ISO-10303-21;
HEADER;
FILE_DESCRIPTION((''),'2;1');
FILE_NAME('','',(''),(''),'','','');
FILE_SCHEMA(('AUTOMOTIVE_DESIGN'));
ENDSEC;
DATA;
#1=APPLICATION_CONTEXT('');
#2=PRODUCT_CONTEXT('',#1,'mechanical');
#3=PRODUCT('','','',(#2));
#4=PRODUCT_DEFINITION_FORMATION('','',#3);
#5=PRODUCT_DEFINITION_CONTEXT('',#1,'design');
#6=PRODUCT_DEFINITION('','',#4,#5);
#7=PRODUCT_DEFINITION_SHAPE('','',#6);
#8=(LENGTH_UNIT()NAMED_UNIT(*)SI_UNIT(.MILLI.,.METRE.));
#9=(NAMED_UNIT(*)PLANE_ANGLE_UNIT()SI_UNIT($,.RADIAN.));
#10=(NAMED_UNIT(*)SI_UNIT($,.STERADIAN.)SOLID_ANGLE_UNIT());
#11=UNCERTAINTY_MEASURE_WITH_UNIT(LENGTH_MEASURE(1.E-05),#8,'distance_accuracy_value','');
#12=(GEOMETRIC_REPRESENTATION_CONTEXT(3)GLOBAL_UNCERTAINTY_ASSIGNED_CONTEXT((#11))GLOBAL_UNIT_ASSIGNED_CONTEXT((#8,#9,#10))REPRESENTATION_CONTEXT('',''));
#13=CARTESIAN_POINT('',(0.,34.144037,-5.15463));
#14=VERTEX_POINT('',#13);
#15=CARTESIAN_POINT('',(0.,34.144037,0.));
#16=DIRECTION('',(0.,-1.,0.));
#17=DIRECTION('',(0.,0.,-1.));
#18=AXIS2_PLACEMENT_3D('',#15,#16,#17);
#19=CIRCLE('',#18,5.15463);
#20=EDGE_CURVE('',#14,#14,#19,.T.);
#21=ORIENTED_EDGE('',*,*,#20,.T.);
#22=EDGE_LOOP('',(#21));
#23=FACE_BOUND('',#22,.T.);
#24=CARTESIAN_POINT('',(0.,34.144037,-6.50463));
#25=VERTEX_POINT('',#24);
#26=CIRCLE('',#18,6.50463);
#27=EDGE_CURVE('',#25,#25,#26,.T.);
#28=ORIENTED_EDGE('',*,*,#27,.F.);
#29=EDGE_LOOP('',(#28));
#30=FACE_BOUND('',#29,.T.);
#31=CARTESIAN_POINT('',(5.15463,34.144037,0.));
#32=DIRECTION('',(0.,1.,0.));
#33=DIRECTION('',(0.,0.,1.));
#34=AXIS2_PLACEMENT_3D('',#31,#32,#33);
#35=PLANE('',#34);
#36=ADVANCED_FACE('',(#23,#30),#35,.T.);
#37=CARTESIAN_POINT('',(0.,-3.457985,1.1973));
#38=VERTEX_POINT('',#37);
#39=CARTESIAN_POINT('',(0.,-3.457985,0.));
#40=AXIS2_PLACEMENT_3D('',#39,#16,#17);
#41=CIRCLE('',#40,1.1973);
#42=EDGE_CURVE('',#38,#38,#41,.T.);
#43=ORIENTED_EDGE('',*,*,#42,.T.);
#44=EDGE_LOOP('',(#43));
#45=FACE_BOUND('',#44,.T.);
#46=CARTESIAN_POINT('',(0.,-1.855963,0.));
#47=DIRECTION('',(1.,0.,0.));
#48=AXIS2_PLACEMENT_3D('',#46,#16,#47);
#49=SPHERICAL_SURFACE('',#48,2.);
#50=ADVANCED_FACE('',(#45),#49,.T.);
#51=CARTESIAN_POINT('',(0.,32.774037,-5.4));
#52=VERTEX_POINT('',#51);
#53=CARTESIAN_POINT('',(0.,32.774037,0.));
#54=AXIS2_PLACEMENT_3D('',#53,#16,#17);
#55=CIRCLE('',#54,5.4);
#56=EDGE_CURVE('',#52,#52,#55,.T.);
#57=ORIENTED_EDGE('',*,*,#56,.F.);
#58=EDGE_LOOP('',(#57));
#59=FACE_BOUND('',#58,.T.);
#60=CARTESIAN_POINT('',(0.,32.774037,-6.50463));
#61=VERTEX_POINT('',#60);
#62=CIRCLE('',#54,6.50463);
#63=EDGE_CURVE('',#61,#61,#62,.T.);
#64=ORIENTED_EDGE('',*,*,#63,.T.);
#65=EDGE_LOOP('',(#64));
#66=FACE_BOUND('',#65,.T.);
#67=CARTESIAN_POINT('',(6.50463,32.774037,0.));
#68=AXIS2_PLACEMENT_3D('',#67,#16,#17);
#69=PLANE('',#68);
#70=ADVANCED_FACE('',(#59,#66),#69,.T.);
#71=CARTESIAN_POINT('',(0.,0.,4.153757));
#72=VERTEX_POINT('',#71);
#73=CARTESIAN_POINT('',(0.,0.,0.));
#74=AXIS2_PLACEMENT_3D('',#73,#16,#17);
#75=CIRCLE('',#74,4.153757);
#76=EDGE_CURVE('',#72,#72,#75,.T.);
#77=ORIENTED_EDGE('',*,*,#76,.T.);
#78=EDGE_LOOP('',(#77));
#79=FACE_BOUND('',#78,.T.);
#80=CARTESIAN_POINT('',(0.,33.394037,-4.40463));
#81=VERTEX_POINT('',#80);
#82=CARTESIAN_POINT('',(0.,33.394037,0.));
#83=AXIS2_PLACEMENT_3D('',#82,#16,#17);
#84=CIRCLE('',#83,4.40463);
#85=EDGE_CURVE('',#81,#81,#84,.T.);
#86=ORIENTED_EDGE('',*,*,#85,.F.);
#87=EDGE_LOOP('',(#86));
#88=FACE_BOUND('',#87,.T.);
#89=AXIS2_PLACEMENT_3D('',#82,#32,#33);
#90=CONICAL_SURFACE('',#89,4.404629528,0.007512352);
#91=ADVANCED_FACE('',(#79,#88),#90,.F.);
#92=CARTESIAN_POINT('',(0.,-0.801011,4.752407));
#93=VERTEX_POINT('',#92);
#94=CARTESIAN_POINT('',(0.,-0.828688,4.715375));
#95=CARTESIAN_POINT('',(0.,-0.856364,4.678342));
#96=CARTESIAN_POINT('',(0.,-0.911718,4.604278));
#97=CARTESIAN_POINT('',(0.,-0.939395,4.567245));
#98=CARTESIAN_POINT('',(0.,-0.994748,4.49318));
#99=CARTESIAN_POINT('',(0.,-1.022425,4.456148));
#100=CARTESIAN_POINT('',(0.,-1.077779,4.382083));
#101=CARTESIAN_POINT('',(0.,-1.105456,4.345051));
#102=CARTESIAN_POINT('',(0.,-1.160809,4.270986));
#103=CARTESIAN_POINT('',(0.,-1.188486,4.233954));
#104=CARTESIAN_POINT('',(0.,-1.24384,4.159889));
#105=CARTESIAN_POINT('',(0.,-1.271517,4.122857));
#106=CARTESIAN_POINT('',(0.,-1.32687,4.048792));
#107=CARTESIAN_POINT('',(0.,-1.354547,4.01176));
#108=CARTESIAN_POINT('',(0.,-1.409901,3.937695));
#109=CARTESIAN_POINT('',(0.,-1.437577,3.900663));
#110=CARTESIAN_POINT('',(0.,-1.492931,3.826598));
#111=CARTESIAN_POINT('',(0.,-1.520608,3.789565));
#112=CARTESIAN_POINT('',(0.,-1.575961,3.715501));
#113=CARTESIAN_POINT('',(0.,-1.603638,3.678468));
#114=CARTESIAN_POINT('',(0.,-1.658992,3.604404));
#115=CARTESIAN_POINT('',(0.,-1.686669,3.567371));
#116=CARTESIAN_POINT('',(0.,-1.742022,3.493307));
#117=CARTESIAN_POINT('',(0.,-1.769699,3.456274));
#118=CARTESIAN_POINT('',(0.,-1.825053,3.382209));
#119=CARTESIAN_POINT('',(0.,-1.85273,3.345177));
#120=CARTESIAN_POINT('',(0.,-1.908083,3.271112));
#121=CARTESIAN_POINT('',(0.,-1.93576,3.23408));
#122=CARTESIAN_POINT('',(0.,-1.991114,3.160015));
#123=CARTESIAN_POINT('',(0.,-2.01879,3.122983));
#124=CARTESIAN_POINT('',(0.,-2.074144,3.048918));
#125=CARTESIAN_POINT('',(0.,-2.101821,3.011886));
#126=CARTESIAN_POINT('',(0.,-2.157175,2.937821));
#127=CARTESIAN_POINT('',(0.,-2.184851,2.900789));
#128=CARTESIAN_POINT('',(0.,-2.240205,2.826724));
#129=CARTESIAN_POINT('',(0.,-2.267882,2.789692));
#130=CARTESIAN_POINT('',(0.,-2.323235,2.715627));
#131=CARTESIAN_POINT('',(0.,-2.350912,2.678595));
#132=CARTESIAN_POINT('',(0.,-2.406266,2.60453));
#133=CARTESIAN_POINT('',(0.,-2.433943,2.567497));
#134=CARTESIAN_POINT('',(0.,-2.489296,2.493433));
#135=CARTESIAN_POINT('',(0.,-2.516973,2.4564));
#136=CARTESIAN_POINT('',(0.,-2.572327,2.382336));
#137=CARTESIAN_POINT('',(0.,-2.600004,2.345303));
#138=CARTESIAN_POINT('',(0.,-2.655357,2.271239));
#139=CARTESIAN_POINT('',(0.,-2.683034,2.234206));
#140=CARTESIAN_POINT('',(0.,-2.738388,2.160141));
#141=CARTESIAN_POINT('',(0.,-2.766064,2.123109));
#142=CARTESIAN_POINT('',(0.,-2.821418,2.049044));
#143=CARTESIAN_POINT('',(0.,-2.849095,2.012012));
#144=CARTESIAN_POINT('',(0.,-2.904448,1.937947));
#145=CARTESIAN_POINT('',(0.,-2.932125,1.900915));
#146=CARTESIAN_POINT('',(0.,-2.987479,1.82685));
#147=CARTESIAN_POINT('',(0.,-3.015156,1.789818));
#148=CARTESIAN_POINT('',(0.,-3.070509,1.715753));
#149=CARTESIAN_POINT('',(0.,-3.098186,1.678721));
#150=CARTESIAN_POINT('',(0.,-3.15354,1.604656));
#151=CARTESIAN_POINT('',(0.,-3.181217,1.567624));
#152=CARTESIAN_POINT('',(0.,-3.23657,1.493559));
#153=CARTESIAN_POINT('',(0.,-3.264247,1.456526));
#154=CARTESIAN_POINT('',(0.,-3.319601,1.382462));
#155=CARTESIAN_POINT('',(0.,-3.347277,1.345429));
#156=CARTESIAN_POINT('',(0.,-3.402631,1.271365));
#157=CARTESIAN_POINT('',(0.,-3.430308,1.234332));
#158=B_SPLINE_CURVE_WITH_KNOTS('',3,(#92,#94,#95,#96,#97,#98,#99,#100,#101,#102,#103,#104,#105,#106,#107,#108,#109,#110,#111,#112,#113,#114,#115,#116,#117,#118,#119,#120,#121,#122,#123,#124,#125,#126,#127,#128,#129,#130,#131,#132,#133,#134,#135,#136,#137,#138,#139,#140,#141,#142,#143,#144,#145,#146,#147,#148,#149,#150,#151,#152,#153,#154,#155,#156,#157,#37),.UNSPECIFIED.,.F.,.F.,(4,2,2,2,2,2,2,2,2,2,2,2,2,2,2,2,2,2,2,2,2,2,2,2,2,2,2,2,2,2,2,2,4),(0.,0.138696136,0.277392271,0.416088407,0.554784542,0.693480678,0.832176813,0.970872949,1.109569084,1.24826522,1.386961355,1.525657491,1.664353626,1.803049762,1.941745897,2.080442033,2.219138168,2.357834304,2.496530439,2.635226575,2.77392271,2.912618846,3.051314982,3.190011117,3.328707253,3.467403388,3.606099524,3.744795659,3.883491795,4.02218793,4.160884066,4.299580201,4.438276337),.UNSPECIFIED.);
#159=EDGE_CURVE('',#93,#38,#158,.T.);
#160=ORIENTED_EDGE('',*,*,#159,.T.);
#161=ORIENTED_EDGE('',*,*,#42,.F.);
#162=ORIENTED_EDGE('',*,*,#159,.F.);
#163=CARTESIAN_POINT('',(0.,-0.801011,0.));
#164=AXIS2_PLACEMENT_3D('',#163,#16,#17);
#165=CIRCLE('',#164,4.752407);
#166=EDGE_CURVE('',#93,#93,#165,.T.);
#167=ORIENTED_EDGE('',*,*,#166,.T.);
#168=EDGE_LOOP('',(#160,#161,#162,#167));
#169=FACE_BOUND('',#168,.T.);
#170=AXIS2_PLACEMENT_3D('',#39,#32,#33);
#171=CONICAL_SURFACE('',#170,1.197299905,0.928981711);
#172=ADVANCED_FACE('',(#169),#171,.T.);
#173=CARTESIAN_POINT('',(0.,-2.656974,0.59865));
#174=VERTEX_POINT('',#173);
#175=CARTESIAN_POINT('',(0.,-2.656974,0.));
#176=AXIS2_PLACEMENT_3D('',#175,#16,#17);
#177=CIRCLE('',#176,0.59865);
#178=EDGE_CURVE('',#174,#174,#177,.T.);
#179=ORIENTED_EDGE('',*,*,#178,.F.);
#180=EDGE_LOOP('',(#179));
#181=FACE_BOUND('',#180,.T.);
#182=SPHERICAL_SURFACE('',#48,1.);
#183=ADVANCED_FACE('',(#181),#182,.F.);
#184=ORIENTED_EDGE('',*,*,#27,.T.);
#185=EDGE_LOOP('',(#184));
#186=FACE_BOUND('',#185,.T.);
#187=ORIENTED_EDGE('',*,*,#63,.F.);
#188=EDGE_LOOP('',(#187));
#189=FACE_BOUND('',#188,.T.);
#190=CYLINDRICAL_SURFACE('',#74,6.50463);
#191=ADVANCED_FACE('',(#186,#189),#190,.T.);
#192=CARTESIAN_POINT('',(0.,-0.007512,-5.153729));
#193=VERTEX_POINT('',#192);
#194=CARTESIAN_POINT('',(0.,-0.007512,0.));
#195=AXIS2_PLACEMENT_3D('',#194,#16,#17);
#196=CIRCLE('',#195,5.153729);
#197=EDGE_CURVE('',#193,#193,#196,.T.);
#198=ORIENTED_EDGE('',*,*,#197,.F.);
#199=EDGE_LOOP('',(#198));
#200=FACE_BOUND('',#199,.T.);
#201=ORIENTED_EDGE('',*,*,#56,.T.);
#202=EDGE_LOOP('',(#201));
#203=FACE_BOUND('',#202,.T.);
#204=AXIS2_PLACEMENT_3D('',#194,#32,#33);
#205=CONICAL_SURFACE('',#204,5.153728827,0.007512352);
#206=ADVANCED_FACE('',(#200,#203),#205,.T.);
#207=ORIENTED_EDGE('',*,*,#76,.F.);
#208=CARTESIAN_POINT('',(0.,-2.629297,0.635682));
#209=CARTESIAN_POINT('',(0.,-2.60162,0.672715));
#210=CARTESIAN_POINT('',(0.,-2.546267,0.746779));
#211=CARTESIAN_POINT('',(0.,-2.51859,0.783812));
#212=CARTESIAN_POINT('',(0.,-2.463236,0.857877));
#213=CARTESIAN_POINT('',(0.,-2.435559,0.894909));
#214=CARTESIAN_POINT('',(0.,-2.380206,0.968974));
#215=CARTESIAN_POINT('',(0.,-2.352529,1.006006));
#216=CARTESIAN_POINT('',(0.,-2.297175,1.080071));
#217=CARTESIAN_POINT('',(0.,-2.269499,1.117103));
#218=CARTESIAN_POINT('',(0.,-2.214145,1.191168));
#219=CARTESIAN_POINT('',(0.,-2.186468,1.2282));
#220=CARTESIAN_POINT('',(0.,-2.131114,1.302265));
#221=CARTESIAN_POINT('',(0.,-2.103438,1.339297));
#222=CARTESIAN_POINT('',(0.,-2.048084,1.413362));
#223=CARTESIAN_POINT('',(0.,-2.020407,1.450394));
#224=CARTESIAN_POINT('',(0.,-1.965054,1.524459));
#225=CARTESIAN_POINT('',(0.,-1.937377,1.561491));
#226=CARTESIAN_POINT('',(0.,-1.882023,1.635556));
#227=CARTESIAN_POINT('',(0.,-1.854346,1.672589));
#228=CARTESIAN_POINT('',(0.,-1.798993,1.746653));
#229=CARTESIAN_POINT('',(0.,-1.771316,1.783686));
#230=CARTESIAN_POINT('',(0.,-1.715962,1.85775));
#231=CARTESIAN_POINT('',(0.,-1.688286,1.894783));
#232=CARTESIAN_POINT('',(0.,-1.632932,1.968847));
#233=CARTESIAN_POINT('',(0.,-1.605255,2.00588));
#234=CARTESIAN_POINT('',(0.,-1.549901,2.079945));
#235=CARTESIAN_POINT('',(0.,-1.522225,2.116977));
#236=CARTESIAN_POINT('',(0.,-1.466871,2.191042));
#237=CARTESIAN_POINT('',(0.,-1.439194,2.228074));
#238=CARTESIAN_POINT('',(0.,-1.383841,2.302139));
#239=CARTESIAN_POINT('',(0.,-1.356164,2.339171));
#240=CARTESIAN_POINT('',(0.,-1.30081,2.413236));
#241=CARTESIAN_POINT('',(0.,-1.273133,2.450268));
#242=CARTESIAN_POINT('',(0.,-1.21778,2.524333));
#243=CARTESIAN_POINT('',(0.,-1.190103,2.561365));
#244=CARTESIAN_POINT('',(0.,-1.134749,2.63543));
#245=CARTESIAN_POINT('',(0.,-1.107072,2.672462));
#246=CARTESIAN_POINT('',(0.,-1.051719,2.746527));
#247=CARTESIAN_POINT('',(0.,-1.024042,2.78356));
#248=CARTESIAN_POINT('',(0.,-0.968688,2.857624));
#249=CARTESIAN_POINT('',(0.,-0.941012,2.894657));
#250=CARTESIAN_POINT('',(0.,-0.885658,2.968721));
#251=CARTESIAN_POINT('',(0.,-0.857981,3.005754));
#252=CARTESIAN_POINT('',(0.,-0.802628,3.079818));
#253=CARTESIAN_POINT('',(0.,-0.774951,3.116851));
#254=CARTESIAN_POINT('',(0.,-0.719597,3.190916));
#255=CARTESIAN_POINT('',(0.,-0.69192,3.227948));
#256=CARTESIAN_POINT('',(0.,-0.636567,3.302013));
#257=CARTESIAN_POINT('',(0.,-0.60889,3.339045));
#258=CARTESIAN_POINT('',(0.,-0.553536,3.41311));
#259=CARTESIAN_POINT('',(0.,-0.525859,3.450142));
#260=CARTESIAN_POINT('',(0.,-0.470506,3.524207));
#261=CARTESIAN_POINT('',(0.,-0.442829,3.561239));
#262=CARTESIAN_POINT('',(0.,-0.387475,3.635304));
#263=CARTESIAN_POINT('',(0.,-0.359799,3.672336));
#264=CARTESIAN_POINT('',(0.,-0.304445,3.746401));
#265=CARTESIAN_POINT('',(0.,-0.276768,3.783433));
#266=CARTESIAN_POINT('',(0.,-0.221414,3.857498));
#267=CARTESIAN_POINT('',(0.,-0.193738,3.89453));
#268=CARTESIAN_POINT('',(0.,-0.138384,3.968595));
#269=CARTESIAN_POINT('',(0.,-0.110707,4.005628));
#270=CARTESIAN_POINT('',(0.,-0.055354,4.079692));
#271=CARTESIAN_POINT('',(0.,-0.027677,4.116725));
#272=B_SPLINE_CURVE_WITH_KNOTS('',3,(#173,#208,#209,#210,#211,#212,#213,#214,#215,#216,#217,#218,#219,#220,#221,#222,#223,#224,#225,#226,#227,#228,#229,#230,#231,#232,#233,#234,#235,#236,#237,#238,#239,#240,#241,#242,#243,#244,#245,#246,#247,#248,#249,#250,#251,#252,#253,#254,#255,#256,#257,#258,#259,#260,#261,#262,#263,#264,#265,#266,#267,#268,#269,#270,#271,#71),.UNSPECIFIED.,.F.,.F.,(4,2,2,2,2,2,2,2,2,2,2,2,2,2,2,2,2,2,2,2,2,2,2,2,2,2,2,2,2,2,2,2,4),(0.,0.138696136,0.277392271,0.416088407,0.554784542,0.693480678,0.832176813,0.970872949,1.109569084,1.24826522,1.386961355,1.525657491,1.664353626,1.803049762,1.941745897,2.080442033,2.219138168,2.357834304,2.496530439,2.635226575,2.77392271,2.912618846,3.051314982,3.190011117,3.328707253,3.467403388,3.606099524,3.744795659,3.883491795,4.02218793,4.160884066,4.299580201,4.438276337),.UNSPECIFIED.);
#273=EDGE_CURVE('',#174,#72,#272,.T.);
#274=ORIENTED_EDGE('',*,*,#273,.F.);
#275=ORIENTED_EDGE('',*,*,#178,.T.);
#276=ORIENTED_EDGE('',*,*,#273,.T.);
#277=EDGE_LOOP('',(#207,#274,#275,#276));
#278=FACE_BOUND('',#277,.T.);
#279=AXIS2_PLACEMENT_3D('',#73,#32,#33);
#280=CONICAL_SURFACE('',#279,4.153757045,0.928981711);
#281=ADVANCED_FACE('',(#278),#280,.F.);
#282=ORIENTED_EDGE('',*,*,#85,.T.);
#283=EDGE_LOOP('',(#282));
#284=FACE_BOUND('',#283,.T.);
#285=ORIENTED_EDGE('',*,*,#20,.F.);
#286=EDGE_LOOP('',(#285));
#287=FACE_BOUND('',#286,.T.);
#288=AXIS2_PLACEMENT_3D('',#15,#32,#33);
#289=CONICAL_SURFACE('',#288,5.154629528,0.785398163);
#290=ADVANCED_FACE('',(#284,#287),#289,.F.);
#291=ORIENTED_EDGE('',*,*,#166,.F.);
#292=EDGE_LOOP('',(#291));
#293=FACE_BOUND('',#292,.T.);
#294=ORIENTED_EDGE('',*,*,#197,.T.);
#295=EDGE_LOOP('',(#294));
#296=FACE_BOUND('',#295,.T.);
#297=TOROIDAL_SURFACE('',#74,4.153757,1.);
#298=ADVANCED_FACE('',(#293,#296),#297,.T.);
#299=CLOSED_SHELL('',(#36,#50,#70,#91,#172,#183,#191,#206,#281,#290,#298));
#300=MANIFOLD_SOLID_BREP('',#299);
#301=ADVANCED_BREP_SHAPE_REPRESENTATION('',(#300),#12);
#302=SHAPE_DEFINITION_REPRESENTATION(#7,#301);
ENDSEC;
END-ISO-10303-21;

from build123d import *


with BuildPart() as part:
    # Sketch1 → Revolve1 (revolve)
    with BuildSketch(Plane.XY):
        with BuildLine():
            Line((1.197299905, -3.457984677), (4.752406997, -0.801010758))
            ThreePointArc((4.752406997, -0.801010758), (5.046117858, -0.451322699), (5.153728827, -0.007512281))
            Line((5.153728827, -0.007512281), (5.4, 32.774036839))
            Line((5.4, 32.774036839), (6.504629528, 32.774036839))
            Line((6.504629528, 32.774036839), (6.504629528, 34.144036839))
            Line((6.504629528, 34.144036839), (5.154629528, 34.144036839))
            Line((5.154629528, 34.144036839), (4.404629528, 33.394036839))
            Line((4.404629528, 33.394036839), (4.153757045, 0))
            Line((4.153757045, 0), (0.598649953, -2.656973919))
            ThreePointArc((0.598649953, -2.656973919), (0.31542768, -2.80491278), (0, -2.855963161))
            Line((0, -2.855963161), (0, -3.855963161))
            ThreePointArc((0, -3.855963161), (0.630855359, -3.753862399), (1.197299905, -3.457984677))
        make_face()
    revolve(axis=Axis((0, 0, 0), (0, 1, 0)))


solid = part.part
